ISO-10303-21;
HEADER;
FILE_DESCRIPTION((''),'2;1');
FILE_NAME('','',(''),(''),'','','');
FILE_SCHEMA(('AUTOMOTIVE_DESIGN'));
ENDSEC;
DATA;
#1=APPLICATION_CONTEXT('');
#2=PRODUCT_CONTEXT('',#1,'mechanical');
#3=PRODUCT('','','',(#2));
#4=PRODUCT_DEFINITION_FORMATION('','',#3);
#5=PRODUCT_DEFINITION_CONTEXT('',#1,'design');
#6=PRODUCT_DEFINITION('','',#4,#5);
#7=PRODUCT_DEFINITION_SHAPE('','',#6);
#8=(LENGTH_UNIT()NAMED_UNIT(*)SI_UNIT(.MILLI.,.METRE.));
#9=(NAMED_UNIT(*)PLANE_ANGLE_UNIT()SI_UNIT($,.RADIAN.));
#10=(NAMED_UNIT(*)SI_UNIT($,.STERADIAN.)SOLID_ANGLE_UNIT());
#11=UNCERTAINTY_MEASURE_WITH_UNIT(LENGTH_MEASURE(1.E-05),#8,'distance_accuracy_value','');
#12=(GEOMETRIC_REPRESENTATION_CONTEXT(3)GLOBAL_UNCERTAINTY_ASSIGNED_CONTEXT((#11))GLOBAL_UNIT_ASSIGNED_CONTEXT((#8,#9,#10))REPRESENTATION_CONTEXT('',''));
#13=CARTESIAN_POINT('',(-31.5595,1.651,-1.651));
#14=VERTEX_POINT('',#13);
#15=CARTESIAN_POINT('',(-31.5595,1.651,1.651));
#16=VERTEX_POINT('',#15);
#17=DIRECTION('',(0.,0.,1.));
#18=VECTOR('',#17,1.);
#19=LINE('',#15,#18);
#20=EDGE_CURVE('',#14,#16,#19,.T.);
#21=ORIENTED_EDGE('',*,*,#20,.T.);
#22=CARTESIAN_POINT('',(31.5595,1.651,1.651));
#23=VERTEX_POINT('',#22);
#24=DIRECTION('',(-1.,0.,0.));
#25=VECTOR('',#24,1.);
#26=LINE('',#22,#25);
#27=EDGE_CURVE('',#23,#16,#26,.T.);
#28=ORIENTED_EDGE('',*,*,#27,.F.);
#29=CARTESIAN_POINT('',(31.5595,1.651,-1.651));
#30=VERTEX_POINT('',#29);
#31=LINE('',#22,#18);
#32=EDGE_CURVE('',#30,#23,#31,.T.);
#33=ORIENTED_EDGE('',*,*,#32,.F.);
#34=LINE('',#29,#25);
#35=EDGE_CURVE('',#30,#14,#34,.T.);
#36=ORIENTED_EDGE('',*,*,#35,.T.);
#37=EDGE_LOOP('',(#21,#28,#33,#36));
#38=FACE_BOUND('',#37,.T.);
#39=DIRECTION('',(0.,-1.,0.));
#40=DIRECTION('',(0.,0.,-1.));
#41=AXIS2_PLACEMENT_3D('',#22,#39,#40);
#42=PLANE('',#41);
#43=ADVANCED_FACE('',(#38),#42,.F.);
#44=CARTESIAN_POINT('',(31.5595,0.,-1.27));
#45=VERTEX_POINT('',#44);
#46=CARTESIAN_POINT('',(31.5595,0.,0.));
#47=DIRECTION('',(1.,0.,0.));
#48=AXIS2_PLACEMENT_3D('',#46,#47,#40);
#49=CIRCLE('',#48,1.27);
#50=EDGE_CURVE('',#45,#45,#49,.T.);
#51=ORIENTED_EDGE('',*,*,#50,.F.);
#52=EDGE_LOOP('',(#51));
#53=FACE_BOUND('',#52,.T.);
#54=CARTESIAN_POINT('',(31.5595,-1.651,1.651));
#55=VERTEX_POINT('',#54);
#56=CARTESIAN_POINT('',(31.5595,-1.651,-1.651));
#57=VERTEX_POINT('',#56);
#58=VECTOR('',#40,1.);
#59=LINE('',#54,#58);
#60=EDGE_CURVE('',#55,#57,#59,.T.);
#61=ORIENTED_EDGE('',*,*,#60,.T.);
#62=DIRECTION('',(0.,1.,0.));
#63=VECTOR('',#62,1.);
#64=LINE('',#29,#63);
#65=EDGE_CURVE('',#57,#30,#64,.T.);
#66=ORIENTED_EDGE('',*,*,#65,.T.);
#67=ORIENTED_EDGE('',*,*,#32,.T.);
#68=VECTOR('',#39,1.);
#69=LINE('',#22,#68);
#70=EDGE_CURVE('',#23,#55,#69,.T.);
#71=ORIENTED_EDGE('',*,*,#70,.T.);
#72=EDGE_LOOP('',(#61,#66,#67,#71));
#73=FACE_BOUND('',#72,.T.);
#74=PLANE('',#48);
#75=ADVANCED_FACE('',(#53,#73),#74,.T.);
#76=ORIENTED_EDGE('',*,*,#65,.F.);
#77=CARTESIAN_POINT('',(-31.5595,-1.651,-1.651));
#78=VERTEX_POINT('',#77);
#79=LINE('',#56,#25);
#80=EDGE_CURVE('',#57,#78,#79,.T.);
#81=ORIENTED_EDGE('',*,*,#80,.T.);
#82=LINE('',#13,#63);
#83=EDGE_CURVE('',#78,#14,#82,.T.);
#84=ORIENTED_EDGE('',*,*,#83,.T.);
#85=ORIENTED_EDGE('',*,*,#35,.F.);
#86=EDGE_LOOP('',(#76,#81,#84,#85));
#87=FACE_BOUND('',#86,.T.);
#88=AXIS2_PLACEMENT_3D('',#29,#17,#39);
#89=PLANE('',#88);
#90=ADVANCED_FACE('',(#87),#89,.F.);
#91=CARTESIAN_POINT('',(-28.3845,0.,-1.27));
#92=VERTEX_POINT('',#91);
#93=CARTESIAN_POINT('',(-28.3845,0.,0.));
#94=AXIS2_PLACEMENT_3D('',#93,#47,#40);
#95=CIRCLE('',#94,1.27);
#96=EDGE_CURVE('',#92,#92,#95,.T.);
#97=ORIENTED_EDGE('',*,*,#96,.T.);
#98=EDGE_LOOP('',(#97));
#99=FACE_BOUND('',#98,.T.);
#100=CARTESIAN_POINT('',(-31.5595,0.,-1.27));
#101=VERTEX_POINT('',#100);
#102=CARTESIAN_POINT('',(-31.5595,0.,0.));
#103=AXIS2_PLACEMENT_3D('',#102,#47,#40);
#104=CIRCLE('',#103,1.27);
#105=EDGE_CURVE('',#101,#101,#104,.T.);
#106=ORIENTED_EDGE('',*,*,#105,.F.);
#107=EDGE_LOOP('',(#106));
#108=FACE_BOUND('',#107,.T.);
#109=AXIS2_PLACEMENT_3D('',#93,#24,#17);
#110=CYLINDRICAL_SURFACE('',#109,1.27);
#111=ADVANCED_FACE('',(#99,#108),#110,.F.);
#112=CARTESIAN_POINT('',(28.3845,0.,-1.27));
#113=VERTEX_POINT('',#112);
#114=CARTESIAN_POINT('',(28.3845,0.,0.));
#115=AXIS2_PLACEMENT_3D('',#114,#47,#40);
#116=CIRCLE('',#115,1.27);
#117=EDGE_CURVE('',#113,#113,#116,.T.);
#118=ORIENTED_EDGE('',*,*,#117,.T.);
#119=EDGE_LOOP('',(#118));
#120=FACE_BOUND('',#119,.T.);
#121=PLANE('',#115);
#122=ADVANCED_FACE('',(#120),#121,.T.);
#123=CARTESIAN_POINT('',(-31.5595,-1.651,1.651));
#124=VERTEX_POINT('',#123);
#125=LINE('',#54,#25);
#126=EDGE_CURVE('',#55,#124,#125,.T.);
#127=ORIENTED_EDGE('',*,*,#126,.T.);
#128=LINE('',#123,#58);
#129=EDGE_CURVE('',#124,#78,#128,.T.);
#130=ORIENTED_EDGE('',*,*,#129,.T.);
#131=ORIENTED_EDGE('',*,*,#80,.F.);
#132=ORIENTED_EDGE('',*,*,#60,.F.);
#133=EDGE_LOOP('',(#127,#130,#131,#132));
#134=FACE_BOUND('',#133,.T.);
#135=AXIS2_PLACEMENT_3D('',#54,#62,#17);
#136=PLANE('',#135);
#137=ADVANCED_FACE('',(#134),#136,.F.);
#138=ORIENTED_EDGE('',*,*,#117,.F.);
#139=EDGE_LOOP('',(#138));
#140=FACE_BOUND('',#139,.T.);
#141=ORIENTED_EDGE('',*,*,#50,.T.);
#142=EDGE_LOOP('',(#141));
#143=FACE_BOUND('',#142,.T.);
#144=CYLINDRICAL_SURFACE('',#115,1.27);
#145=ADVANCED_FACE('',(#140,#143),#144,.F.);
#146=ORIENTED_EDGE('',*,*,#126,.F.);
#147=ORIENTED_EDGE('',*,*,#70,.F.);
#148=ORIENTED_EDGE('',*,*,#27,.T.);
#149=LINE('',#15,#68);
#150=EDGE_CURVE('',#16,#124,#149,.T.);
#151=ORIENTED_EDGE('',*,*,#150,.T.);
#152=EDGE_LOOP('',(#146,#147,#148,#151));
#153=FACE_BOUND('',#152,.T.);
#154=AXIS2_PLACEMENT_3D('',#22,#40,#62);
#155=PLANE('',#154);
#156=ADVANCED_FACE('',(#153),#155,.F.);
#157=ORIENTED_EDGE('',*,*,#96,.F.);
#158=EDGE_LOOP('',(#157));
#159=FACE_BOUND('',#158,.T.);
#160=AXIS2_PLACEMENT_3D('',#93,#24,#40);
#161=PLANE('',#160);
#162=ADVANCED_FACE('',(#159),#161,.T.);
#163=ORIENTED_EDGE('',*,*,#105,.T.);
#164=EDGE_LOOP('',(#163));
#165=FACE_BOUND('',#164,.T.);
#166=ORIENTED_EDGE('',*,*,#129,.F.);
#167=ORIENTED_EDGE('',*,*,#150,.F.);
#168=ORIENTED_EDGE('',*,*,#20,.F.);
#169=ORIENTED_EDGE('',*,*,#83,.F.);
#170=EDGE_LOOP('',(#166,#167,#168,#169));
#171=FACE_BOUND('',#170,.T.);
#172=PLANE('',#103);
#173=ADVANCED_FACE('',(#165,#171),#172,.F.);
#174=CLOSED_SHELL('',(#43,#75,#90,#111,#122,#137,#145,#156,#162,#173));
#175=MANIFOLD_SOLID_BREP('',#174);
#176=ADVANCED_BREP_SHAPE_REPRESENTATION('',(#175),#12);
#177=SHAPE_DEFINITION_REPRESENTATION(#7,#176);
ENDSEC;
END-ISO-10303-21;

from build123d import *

# Parameters (mm, degrees)
SKETCH1_W           = 3.302
SKETCH1_H           = 3.302
BOSS_EXTRUDE1_DEPTH = 31.5595
SKETCH2_R           = 1.27
CUT_EXTRUDE1_DEPTH  = 3.175


with BuildPart() as part:
    # Sketch1 → Boss-Extrude1 (new body, symmetric)
    with BuildSketch(Plane(origin=(0, 0, 0), x_dir=(0, 0, -1), z_dir=(1, 0, 0))):
        Rectangle(SKETCH1_W, SKETCH1_H)
    extrude(amount=BOSS_EXTRUDE1_DEPTH, both=True)

    # Sketch2 → Cut-Extrude1 (cut)
    with BuildSketch(Plane(origin=(31.5595, 0, 0), x_dir=(0, 0, -1), z_dir=(1, 0, 0))):
        Circle(SKETCH2_R)
    cut_extrude1 = extrude(amount=-CUT_EXTRUDE1_DEPTH, mode=Mode.SUBTRACT)

    # Mirror1: Cut-Extrude1 across plane
    add(cut_extrude1.mirror(Plane(origin=(0, 0, 0), x_dir=(0, 0, 1), z_dir=(1, 0, 0))), mode=Mode.SUBTRACT)


solid = part.part
